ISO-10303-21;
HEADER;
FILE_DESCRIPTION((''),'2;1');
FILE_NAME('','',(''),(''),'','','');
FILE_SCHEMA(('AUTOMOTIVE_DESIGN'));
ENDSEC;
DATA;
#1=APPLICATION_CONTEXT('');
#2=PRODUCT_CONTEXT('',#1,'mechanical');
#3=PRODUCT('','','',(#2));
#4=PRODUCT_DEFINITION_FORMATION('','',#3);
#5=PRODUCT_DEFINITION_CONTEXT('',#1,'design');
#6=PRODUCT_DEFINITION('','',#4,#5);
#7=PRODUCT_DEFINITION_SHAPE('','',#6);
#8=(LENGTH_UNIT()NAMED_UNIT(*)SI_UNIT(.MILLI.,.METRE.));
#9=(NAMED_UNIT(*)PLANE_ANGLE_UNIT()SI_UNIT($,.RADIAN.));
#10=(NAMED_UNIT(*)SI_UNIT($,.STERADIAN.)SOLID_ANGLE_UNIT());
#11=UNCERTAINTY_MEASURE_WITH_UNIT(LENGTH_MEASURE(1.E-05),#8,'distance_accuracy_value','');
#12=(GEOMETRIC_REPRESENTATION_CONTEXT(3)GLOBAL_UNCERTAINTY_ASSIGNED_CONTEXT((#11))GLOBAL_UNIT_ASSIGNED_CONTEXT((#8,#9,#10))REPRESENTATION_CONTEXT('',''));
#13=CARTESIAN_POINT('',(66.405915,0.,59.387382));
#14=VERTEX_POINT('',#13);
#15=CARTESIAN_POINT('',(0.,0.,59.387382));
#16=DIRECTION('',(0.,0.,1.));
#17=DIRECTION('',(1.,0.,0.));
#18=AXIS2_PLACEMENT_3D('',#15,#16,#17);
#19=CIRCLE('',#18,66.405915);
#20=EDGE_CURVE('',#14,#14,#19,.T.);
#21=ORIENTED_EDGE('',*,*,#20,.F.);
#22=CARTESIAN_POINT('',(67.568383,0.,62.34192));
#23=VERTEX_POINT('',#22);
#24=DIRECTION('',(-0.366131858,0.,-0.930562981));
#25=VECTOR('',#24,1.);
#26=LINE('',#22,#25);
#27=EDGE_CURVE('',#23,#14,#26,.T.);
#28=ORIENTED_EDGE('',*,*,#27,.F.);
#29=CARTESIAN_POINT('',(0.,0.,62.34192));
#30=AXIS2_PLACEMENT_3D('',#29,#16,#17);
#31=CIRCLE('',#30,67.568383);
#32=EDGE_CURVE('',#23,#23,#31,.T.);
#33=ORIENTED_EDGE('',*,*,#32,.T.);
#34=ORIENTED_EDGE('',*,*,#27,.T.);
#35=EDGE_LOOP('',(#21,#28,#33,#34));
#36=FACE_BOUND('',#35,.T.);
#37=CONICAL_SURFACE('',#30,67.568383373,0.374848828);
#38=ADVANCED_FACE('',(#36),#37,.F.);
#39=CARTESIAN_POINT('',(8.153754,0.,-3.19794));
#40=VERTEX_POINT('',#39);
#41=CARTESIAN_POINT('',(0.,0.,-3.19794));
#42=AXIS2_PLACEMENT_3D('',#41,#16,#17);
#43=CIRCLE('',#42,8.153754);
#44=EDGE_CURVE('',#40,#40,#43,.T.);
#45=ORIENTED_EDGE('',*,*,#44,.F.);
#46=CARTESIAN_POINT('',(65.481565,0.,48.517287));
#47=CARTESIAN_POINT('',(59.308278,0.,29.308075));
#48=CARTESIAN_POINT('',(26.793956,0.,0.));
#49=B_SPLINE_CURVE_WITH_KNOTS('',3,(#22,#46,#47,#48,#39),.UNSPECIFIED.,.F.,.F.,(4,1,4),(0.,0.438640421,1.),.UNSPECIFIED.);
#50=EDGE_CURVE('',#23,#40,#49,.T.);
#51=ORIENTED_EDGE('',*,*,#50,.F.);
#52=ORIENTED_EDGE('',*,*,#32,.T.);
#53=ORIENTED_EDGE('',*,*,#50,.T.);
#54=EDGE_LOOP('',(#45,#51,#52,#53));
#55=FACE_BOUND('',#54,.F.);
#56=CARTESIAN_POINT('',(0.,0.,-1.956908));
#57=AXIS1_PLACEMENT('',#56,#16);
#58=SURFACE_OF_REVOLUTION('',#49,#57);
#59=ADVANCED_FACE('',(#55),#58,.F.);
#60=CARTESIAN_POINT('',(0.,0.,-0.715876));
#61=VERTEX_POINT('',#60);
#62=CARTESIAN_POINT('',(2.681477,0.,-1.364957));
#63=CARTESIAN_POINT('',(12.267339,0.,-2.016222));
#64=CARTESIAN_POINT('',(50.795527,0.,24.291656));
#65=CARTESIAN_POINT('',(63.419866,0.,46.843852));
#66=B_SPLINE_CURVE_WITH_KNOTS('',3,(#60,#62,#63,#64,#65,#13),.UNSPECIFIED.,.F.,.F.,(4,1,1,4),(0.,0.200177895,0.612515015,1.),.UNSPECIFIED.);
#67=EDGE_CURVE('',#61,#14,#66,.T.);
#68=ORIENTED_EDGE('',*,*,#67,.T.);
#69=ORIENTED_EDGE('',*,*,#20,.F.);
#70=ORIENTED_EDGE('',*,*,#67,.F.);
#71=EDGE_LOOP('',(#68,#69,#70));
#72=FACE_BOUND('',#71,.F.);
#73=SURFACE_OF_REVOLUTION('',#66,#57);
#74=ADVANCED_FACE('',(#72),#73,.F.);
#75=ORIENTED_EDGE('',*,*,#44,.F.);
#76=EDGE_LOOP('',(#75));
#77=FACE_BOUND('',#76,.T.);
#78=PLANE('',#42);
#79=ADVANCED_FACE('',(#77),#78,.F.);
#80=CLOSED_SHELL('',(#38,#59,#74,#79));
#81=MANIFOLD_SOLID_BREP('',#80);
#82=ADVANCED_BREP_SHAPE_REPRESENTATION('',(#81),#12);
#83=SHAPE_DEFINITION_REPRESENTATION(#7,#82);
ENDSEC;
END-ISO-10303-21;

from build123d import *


with BuildPart() as f1:
    # F0 (on Front) → F1 (revolve)
    with BuildSketch(Plane.XZ):
        with BuildLine():
            Line((67.5683833732, 62.3419195861), (66.4059147239, 59.3873821199))
            add(Edge.make_bspline(
                [(0, -0.7158760563), (2.6814772844, -1.3649568672), (12.2673390737, -2.016221546), (50.7955266844, 24.2916557671), (63.4198657338, 46.8438520801), (66.4059147239, 59.3873821199)],
                knots=[0, 0, 0, 0, 0.2001778948, 0.6125150148, 1, 1, 1, 1], degree=3))
            Line((0, -0.7158760563), (0, -3.1979404727))
            Line((0, -3.1979404727), (8.1537544596, -3.1979404727))
            add(Edge.make_bspline(
                [(67.5683833732, 62.3419195861), (65.481564573, 48.5172867775), (59.308278238, 29.3080753365), (26.7939561301, 0), (8.1537544596, -3.1979404727)],
                knots=[0, 0, 0, 0, 0.438640421, 1, 1, 1, 1], degree=3))
        make_face()
    revolve(axis=Axis((0, 0, -1.9569082645), (0, 0, 1)))


solid = f1.part
